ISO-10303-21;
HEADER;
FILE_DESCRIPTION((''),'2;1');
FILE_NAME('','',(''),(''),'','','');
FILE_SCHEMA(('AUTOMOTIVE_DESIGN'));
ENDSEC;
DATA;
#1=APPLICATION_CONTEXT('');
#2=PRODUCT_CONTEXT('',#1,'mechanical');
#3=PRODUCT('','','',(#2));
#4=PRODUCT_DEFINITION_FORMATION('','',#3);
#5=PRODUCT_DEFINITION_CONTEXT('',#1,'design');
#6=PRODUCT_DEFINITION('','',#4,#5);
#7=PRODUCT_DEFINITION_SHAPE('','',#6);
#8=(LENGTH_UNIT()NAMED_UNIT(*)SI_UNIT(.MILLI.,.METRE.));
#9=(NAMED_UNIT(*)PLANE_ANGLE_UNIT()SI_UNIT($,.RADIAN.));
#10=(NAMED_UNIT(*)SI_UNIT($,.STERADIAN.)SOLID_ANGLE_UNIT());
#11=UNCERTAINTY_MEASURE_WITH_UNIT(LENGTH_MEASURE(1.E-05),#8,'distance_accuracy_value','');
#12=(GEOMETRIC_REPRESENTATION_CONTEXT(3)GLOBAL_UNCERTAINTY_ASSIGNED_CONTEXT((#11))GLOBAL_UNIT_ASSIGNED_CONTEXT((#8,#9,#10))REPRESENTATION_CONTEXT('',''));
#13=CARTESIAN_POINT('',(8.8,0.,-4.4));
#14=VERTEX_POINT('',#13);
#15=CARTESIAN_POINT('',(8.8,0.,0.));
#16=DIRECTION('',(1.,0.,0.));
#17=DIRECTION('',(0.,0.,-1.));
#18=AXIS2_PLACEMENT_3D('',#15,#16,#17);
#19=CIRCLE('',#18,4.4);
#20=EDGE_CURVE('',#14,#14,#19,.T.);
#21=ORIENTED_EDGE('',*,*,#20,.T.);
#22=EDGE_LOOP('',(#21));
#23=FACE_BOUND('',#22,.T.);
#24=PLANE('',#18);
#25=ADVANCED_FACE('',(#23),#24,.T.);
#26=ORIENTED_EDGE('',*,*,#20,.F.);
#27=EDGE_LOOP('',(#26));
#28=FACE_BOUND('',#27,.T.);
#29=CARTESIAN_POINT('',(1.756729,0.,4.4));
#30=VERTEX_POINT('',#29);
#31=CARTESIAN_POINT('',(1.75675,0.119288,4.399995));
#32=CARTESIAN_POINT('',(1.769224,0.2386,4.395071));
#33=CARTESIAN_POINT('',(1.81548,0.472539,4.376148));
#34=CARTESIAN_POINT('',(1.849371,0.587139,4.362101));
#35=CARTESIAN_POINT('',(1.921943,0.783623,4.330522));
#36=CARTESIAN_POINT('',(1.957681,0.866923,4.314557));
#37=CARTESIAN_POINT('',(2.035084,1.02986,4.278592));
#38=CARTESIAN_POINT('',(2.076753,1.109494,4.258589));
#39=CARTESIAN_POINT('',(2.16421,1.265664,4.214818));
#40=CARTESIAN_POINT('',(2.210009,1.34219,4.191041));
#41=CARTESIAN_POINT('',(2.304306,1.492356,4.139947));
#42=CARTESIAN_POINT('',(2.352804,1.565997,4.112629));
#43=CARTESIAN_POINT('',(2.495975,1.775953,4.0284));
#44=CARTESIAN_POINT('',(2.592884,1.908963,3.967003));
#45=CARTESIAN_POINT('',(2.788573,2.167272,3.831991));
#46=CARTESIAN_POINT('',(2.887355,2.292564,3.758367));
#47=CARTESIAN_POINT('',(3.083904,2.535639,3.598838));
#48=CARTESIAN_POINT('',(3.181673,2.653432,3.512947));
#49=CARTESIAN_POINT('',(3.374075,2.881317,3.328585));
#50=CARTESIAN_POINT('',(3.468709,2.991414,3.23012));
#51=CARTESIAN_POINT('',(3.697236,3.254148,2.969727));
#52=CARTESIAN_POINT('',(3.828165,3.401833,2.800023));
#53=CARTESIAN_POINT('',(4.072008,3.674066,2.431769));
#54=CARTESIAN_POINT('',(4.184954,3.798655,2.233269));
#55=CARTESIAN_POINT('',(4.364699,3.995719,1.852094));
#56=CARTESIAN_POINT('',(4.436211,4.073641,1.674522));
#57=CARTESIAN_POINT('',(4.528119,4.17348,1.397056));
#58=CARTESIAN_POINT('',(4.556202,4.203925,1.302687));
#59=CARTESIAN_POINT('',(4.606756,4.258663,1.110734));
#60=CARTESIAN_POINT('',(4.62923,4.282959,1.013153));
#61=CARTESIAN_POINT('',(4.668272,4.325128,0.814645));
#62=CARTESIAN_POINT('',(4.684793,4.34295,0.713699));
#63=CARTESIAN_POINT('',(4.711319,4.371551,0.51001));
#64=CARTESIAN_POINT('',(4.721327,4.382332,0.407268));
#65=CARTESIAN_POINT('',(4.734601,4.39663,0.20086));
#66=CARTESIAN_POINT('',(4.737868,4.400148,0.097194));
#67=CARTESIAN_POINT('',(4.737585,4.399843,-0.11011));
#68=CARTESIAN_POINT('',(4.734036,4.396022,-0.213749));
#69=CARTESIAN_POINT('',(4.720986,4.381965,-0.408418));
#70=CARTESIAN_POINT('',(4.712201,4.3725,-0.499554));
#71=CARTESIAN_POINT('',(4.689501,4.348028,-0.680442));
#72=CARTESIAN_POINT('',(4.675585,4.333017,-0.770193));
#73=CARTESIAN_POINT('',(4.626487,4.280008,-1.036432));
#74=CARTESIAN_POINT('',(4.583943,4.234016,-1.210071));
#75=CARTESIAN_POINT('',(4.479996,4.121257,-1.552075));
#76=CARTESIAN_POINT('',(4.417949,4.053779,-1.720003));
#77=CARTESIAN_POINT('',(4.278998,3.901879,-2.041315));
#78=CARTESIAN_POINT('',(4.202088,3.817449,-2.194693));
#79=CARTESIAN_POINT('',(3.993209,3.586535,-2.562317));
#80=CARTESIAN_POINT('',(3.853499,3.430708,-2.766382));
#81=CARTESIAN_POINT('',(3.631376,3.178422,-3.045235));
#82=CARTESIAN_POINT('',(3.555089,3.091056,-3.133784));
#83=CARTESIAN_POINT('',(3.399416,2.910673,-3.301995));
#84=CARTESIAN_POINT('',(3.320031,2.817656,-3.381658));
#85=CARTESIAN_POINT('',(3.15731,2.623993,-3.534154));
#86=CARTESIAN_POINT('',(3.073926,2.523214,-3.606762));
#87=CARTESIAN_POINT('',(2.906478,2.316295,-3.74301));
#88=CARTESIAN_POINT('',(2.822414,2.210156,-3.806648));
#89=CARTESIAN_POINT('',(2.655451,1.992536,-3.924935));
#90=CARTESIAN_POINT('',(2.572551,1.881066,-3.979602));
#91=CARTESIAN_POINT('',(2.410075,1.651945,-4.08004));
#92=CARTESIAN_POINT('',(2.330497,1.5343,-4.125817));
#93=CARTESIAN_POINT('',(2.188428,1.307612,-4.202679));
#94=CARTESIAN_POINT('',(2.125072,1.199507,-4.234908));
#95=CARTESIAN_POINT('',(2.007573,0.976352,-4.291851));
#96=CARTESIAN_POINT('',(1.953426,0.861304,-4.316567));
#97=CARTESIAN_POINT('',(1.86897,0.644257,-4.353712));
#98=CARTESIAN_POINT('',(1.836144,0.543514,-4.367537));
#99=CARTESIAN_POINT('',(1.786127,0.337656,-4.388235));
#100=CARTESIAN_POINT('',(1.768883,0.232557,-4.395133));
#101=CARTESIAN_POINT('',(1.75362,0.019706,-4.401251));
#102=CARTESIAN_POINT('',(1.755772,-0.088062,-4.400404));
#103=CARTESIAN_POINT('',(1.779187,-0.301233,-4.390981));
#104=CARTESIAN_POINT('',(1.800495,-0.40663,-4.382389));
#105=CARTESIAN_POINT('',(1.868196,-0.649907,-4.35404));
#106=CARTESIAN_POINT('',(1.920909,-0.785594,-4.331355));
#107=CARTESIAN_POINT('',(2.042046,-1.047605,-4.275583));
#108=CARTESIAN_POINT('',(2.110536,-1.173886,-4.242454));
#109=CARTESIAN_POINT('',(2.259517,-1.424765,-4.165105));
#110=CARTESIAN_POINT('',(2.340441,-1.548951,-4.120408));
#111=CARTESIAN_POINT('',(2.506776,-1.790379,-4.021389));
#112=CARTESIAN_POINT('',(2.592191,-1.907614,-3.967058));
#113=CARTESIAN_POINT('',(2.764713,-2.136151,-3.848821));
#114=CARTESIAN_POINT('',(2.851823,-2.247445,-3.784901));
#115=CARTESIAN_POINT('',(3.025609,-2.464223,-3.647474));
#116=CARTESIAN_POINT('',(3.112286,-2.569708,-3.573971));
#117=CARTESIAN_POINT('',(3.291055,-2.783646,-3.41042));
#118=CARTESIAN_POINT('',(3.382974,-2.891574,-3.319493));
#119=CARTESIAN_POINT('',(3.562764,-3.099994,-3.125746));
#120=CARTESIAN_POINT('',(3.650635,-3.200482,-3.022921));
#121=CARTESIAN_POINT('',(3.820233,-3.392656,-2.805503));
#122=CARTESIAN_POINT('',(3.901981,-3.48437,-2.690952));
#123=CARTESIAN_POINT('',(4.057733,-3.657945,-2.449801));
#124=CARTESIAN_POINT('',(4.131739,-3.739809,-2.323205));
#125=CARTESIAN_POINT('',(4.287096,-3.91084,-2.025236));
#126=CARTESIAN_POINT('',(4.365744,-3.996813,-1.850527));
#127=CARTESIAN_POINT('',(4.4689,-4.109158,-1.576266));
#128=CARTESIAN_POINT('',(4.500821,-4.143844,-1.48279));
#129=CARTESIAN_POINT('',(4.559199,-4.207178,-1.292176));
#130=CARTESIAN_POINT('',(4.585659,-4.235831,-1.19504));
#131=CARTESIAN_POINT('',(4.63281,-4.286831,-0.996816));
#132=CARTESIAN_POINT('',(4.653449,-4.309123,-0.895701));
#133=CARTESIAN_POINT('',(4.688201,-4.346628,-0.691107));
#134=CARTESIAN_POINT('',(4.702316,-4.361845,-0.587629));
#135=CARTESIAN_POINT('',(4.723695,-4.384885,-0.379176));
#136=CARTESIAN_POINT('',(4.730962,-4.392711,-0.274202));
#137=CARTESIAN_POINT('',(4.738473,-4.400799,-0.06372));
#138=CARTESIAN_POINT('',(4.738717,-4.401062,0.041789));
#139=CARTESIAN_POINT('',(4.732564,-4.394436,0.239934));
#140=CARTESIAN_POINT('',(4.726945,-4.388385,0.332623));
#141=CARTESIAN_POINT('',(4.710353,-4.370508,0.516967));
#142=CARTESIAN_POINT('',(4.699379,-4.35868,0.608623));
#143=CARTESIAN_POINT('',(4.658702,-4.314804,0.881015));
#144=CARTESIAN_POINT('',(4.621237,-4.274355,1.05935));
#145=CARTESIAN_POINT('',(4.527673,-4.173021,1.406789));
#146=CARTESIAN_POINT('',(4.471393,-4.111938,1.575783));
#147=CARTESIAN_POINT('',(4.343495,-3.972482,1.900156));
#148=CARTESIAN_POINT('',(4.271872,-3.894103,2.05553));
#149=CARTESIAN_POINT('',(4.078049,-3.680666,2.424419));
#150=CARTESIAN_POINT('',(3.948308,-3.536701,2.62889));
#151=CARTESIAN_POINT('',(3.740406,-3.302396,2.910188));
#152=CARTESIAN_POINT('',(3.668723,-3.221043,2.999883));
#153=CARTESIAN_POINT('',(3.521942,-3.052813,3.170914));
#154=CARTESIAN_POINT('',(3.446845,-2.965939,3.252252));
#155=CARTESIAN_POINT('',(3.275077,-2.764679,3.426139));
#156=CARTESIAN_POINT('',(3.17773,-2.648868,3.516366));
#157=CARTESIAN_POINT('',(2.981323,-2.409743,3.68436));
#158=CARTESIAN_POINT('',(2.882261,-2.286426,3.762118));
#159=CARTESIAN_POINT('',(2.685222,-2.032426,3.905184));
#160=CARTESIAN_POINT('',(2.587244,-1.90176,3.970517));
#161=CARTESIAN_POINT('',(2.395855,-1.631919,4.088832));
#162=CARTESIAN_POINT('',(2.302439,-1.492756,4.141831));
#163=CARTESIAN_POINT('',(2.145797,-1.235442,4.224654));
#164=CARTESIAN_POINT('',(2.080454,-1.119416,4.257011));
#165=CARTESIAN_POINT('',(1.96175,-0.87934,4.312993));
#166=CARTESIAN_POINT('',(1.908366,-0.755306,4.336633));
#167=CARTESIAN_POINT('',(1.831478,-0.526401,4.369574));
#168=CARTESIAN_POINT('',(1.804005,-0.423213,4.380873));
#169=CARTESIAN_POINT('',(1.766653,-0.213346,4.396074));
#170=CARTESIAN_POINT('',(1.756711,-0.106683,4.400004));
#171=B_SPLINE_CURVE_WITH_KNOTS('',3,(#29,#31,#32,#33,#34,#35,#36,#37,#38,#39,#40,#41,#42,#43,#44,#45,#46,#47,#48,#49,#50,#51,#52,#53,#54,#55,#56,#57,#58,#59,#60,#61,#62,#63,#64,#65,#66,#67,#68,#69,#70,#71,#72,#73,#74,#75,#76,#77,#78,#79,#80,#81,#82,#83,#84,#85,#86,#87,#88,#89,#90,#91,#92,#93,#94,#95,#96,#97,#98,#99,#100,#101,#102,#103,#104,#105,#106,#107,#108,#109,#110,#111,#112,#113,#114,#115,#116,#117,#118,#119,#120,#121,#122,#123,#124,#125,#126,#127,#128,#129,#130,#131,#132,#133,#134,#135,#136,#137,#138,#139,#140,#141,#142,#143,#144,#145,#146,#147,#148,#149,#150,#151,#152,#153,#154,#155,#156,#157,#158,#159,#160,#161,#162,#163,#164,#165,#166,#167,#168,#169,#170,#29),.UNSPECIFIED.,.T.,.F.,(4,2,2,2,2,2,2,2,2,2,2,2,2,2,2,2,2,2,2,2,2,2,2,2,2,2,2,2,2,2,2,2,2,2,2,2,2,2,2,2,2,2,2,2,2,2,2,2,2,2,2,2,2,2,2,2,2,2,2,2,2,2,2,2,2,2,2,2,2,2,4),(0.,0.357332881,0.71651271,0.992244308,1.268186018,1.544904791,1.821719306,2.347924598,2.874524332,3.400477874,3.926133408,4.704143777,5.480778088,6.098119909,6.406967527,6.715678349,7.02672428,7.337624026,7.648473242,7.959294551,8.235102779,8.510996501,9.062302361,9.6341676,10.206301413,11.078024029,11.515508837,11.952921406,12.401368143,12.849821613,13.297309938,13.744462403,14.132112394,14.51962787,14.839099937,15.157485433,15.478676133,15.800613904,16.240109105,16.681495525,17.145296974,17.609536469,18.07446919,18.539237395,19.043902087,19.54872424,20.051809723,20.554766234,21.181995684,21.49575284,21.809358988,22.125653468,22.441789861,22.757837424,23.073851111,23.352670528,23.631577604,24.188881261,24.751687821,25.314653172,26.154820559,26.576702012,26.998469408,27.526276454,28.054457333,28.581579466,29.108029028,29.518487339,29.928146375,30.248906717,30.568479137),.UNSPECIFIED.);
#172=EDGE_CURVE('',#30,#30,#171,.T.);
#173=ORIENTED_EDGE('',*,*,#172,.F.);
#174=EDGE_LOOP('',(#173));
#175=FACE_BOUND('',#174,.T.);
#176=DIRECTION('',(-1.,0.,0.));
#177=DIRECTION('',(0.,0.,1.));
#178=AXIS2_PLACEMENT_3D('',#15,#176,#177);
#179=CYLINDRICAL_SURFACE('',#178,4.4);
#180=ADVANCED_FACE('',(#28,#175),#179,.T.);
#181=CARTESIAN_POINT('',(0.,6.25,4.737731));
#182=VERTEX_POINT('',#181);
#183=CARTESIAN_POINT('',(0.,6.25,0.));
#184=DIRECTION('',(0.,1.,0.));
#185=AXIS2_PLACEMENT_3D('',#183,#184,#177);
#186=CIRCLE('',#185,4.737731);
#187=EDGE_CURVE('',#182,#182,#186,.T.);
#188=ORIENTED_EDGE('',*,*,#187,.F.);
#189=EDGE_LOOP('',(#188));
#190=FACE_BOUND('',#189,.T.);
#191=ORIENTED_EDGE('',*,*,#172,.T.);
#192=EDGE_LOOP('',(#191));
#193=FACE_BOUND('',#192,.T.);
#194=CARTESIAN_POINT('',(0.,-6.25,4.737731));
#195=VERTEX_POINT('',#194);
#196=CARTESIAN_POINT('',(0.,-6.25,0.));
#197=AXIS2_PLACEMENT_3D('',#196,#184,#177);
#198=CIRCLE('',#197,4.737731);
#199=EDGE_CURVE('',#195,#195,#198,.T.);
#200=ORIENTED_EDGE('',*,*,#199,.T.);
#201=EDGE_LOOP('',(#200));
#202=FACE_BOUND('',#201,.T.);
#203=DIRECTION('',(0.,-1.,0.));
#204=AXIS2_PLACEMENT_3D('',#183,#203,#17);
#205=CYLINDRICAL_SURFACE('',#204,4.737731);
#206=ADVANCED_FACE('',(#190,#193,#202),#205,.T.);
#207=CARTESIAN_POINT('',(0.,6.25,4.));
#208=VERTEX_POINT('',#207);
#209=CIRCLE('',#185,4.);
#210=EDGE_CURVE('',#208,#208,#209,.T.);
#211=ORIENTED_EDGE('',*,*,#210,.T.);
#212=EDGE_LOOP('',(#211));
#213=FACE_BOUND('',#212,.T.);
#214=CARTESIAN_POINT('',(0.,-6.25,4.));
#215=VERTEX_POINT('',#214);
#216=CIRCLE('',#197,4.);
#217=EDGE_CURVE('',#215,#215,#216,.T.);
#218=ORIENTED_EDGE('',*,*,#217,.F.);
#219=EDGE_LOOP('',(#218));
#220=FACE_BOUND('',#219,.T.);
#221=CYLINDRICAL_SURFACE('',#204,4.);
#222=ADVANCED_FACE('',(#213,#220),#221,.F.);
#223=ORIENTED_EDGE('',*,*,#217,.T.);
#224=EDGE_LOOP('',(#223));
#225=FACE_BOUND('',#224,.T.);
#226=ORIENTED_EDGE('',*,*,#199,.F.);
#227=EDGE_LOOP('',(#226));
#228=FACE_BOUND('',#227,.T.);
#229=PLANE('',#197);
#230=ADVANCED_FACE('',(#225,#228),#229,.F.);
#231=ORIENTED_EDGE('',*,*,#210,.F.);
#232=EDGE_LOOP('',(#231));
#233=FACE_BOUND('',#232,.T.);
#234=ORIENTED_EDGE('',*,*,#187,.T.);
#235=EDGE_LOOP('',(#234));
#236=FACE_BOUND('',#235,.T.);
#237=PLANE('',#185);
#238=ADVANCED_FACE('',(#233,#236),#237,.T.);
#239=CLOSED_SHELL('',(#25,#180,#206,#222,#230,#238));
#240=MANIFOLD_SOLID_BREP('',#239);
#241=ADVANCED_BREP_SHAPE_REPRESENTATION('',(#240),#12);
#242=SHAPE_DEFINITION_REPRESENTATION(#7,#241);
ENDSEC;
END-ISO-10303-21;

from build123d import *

# Parameters (mm, degrees)
SKETCH1_R               = 4.4
BOSS_EXTRUDE1_DEPTH     = 8.8
SKETCH2_R               = 4.737731287
SKETCH2_R_2             = 4
BOSS_EXTRUDE2_DEPTH     = 6.25
CUT_EXTRUDE1_DEPTH      = 12.787646148
CUT_EXTRUDE1_DEPTH_BACK = 12.787646148
SKETCH3_R               = 4


with BuildPart() as part:
    # Sketch1 → Boss-Extrude1 (new body)
    with BuildSketch(Plane.YZ):
        with Locations(Location((0, 0, 0), (0, 0, 270))):
            Circle(SKETCH1_R)
    extrude(amount=BOSS_EXTRUDE1_DEPTH)

    # Sketch2 → Boss-Extrude2 (add, symmetric)
    with BuildSketch(Plane(origin=(0, 0, 0), x_dir=(-1, 0, 0), z_dir=(0, 1, 0))):
        with Locations(Location((0, 0, 0), (0, 0, 90))):
            Circle(SKETCH2_R)
        with Locations(Location((0, 0, 0), (0, 0, 90))):
            Circle(SKETCH2_R_2, mode=Mode.SUBTRACT)
    extrude(amount=BOSS_EXTRUDE2_DEPTH, both=True)

    # Sketch3 → Cut-Extrude1 (cut, two sides: drawn at the far end of the back side and taken through both)
    with BuildSketch(Plane(origin=(0, 0, 0), x_dir=(-1, 0, 0), z_dir=(0, 1, 0)).offset(-CUT_EXTRUDE1_DEPTH_BACK)):
        with Locations(Location((0, 0, 0), (0, 0, 90))):
            Circle(SKETCH3_R)
    extrude(amount=CUT_EXTRUDE1_DEPTH + CUT_EXTRUDE1_DEPTH_BACK, mode=Mode.SUBTRACT)


solid = part.part
